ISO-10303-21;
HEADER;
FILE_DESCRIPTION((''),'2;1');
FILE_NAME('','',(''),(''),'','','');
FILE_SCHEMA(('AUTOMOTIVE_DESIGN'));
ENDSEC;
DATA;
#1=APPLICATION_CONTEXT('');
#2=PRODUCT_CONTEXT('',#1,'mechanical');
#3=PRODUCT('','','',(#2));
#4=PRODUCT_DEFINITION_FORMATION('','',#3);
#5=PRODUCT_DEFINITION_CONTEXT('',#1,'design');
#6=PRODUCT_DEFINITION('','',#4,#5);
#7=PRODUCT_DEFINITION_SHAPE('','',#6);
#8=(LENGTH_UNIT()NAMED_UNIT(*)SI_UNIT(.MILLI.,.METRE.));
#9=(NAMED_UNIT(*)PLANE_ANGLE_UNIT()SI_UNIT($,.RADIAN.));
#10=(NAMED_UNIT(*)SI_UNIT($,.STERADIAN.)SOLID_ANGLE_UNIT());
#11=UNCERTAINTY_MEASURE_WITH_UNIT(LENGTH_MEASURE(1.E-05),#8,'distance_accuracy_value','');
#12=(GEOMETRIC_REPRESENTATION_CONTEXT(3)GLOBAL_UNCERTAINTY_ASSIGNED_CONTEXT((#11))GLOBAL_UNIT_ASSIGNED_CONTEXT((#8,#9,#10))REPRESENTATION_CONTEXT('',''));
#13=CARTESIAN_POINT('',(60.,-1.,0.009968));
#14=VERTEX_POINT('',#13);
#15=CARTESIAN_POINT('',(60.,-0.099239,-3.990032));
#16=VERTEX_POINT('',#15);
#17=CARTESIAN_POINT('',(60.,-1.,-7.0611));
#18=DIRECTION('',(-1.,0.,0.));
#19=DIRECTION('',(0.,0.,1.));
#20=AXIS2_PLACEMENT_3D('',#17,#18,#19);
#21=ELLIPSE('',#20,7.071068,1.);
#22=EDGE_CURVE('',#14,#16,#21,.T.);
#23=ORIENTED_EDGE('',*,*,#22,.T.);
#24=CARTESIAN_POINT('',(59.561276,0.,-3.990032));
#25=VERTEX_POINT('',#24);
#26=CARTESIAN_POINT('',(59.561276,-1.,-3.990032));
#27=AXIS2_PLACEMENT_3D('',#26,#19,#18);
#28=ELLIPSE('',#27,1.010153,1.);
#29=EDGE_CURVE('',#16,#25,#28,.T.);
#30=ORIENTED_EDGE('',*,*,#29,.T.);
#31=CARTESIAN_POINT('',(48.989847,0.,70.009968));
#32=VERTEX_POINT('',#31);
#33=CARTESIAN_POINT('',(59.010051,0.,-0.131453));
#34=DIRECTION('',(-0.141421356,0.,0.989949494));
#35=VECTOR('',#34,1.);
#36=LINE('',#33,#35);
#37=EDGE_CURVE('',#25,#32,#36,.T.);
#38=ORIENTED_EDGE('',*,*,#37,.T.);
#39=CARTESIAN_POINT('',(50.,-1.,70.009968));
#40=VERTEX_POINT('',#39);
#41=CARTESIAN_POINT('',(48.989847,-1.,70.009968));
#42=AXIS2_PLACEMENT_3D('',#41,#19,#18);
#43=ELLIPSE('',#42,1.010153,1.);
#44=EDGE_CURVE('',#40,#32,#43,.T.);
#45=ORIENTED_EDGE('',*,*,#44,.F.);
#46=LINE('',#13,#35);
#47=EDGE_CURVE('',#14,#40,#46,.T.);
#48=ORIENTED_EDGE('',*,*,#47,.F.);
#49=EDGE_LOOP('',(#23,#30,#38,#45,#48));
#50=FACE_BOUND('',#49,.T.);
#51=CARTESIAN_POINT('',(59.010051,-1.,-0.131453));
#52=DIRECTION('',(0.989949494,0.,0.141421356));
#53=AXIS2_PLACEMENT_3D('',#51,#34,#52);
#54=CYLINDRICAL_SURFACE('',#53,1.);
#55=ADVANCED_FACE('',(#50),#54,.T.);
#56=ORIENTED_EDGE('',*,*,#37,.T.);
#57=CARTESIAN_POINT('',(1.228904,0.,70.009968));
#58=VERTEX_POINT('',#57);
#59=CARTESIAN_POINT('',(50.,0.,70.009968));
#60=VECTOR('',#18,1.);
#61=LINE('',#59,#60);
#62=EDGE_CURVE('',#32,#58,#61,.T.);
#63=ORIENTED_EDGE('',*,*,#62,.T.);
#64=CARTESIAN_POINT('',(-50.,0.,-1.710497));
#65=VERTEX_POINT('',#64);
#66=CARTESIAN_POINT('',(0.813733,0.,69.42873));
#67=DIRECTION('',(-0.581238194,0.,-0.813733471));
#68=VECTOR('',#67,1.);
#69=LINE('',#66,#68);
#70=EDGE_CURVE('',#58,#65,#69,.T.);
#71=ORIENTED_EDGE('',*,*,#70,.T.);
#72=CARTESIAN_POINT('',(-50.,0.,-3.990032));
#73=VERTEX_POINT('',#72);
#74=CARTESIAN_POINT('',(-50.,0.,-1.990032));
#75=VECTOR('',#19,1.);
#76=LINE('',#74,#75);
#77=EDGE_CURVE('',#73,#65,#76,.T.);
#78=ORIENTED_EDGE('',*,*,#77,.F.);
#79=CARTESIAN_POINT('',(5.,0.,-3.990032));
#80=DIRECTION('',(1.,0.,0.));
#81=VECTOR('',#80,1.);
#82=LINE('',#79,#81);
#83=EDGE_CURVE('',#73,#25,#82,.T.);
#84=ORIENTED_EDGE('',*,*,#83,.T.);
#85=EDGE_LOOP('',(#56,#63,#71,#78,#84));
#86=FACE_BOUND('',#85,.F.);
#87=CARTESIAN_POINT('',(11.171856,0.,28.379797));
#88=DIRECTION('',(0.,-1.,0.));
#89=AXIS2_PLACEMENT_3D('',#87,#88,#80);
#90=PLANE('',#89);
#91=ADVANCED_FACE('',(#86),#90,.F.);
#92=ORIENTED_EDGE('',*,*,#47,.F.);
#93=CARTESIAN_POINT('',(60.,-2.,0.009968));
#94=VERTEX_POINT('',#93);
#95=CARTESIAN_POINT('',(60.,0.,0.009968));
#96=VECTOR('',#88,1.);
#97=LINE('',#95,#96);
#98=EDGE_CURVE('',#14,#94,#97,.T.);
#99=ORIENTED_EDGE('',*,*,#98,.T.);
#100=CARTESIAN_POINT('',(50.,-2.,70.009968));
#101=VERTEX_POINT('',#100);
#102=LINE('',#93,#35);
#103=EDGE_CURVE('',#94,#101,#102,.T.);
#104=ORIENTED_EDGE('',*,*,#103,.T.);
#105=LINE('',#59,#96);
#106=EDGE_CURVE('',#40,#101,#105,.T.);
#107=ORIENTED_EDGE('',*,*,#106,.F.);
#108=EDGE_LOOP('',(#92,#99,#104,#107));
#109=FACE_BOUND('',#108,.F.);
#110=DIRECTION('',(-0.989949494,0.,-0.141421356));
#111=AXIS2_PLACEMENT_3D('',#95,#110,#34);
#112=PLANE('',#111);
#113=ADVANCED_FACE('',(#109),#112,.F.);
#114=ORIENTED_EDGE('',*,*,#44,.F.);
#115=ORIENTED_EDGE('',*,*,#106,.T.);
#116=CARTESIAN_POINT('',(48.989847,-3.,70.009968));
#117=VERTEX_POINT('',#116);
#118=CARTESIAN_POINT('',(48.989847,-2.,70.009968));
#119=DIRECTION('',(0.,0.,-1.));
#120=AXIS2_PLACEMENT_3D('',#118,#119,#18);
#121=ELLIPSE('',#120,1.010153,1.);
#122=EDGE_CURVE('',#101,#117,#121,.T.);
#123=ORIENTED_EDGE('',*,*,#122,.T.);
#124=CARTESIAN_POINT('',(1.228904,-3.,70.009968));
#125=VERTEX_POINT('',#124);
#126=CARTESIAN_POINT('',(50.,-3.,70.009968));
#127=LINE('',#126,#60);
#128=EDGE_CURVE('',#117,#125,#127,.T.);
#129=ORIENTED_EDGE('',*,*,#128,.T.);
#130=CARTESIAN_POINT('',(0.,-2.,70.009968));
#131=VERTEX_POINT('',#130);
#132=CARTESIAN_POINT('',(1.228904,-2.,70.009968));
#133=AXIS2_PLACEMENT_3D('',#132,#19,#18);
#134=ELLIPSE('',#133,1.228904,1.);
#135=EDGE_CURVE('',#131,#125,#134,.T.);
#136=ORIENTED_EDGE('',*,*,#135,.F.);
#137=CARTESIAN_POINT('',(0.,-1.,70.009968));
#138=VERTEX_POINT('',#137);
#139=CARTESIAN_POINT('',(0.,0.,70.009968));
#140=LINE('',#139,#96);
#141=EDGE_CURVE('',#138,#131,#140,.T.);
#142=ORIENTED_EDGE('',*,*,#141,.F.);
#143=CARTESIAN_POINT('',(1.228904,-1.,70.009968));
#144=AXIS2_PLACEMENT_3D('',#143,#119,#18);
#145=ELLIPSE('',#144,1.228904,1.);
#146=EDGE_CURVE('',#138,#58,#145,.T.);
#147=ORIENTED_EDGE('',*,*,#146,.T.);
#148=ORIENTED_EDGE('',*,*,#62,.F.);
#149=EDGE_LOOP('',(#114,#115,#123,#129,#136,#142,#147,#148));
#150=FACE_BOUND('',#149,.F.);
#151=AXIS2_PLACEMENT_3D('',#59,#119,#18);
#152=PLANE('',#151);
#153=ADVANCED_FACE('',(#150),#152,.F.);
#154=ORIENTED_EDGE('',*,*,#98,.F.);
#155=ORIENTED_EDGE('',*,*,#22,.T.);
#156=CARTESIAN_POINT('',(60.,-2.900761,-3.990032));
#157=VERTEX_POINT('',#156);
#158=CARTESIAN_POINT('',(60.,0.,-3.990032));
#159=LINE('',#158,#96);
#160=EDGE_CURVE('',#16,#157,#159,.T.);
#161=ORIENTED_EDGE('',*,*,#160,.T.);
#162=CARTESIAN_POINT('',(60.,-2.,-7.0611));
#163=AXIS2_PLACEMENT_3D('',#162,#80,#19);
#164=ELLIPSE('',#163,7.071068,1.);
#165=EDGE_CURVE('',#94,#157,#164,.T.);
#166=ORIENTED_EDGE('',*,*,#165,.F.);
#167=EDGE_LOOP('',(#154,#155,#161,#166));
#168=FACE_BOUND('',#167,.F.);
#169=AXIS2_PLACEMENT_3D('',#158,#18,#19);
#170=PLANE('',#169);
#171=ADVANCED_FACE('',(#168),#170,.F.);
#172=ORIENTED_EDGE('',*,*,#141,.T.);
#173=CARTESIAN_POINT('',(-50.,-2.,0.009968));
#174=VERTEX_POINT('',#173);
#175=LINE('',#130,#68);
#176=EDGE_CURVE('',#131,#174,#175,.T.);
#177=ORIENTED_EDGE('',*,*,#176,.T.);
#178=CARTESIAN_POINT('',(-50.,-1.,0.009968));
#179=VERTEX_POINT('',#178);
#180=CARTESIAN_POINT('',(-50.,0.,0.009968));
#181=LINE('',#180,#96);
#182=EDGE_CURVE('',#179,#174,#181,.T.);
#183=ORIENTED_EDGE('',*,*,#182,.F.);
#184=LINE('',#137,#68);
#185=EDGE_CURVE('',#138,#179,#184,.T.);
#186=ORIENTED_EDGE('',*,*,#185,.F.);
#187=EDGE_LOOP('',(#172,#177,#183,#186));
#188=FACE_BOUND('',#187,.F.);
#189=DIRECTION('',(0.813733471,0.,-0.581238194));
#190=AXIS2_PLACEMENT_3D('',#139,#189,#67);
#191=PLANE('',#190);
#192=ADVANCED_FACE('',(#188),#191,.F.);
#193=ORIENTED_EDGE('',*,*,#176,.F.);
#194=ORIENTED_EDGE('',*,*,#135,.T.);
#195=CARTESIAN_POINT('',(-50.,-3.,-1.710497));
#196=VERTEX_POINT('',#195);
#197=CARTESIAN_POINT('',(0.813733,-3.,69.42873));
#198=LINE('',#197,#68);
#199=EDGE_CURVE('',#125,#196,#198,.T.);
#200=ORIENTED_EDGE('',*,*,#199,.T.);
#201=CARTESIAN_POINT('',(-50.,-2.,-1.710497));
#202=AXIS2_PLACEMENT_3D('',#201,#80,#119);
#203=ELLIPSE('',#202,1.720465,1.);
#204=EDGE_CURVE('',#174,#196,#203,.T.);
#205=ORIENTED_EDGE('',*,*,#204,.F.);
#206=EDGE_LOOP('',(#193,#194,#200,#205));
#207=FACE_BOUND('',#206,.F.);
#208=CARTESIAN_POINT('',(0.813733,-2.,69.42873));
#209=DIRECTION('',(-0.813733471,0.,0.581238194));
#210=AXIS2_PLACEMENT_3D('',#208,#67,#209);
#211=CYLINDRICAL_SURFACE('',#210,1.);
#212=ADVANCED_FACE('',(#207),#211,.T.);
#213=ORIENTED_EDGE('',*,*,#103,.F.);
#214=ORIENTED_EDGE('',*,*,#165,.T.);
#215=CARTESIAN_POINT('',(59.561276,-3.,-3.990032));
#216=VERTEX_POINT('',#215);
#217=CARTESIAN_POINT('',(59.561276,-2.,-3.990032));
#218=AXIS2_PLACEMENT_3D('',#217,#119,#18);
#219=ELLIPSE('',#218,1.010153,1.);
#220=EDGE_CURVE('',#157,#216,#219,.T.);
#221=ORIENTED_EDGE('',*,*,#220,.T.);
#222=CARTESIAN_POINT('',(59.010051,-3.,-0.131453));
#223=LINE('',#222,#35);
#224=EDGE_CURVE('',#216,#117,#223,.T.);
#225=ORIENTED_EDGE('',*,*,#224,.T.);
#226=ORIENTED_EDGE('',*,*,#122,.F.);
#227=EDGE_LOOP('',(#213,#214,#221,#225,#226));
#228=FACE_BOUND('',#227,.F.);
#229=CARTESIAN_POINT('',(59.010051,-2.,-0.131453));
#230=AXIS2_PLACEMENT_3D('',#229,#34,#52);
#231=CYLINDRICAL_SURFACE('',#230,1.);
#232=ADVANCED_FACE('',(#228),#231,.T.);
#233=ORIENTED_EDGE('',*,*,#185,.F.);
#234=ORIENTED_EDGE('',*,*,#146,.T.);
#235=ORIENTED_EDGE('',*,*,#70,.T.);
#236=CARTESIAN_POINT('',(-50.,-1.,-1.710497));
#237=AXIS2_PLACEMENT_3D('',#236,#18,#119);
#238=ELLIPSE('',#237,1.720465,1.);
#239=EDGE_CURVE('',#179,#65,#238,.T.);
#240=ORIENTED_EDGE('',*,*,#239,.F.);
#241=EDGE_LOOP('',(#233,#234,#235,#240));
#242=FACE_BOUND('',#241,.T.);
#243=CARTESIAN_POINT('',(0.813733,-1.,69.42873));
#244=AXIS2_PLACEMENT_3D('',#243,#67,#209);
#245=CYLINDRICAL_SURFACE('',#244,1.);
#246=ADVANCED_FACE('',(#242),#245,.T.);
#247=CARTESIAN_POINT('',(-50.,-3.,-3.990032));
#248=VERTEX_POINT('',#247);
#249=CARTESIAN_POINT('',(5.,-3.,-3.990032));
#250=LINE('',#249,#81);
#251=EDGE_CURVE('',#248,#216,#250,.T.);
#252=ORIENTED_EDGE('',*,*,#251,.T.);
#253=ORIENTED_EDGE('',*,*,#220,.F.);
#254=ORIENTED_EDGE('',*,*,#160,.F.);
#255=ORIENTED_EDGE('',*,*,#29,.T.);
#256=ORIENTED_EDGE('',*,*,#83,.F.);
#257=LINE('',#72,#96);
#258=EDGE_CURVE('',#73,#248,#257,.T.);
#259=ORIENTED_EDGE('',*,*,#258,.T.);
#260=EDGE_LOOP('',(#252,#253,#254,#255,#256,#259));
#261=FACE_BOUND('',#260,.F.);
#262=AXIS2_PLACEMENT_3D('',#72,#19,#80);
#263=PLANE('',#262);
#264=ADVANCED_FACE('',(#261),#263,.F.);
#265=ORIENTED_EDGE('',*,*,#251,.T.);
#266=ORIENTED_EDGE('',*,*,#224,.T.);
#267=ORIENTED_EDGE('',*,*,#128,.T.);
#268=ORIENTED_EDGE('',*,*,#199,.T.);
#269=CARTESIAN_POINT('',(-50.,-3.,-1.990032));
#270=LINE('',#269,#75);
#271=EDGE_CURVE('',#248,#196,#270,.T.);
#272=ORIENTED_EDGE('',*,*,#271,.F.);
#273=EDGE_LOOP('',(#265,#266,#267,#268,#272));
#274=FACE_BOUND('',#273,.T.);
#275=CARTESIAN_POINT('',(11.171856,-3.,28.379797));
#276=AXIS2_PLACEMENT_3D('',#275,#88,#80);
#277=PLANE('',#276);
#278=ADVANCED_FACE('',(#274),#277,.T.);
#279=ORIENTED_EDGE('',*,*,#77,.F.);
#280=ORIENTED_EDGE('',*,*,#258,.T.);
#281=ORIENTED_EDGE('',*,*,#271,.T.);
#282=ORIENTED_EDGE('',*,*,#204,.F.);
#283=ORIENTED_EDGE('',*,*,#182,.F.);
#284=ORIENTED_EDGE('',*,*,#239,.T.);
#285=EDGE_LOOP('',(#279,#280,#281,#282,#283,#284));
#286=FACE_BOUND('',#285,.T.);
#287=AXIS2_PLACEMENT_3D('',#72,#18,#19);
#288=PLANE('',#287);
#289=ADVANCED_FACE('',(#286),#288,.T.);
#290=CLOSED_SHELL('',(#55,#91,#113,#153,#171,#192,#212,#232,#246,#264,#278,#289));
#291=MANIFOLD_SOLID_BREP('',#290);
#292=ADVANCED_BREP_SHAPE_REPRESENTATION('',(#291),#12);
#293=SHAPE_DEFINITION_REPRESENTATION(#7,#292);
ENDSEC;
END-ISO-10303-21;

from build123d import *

# Parameters (mm, degrees)
F0_W     = 110
F0_H     = 4
F1_DEPTH = 3
F2_R     = 1


with BuildPart() as f1:
    # F0 (on Front) → F1 (new body)
    with BuildSketch(Plane.XZ):
        Polygon((0, 70.009968), (-50, 0.009968), (60, 0.009968), (50, 70.009968), align=None)
        with Locations((5, -1.990032)):
            Rectangle(F0_W, F0_H)
    extrude(amount=F1_DEPTH)

    # F2
    f2_edges = [f1.edges().sort_by_distance(p)[0] for p in [
        (-25, -3, 35.009968),
        (-25, 0, 35.009968),
        (55, -3, 35.009968),
        (55, 0, 35.009968),
    ]]
    fillet(f2_edges, radius=F2_R)


solid = f1.part
